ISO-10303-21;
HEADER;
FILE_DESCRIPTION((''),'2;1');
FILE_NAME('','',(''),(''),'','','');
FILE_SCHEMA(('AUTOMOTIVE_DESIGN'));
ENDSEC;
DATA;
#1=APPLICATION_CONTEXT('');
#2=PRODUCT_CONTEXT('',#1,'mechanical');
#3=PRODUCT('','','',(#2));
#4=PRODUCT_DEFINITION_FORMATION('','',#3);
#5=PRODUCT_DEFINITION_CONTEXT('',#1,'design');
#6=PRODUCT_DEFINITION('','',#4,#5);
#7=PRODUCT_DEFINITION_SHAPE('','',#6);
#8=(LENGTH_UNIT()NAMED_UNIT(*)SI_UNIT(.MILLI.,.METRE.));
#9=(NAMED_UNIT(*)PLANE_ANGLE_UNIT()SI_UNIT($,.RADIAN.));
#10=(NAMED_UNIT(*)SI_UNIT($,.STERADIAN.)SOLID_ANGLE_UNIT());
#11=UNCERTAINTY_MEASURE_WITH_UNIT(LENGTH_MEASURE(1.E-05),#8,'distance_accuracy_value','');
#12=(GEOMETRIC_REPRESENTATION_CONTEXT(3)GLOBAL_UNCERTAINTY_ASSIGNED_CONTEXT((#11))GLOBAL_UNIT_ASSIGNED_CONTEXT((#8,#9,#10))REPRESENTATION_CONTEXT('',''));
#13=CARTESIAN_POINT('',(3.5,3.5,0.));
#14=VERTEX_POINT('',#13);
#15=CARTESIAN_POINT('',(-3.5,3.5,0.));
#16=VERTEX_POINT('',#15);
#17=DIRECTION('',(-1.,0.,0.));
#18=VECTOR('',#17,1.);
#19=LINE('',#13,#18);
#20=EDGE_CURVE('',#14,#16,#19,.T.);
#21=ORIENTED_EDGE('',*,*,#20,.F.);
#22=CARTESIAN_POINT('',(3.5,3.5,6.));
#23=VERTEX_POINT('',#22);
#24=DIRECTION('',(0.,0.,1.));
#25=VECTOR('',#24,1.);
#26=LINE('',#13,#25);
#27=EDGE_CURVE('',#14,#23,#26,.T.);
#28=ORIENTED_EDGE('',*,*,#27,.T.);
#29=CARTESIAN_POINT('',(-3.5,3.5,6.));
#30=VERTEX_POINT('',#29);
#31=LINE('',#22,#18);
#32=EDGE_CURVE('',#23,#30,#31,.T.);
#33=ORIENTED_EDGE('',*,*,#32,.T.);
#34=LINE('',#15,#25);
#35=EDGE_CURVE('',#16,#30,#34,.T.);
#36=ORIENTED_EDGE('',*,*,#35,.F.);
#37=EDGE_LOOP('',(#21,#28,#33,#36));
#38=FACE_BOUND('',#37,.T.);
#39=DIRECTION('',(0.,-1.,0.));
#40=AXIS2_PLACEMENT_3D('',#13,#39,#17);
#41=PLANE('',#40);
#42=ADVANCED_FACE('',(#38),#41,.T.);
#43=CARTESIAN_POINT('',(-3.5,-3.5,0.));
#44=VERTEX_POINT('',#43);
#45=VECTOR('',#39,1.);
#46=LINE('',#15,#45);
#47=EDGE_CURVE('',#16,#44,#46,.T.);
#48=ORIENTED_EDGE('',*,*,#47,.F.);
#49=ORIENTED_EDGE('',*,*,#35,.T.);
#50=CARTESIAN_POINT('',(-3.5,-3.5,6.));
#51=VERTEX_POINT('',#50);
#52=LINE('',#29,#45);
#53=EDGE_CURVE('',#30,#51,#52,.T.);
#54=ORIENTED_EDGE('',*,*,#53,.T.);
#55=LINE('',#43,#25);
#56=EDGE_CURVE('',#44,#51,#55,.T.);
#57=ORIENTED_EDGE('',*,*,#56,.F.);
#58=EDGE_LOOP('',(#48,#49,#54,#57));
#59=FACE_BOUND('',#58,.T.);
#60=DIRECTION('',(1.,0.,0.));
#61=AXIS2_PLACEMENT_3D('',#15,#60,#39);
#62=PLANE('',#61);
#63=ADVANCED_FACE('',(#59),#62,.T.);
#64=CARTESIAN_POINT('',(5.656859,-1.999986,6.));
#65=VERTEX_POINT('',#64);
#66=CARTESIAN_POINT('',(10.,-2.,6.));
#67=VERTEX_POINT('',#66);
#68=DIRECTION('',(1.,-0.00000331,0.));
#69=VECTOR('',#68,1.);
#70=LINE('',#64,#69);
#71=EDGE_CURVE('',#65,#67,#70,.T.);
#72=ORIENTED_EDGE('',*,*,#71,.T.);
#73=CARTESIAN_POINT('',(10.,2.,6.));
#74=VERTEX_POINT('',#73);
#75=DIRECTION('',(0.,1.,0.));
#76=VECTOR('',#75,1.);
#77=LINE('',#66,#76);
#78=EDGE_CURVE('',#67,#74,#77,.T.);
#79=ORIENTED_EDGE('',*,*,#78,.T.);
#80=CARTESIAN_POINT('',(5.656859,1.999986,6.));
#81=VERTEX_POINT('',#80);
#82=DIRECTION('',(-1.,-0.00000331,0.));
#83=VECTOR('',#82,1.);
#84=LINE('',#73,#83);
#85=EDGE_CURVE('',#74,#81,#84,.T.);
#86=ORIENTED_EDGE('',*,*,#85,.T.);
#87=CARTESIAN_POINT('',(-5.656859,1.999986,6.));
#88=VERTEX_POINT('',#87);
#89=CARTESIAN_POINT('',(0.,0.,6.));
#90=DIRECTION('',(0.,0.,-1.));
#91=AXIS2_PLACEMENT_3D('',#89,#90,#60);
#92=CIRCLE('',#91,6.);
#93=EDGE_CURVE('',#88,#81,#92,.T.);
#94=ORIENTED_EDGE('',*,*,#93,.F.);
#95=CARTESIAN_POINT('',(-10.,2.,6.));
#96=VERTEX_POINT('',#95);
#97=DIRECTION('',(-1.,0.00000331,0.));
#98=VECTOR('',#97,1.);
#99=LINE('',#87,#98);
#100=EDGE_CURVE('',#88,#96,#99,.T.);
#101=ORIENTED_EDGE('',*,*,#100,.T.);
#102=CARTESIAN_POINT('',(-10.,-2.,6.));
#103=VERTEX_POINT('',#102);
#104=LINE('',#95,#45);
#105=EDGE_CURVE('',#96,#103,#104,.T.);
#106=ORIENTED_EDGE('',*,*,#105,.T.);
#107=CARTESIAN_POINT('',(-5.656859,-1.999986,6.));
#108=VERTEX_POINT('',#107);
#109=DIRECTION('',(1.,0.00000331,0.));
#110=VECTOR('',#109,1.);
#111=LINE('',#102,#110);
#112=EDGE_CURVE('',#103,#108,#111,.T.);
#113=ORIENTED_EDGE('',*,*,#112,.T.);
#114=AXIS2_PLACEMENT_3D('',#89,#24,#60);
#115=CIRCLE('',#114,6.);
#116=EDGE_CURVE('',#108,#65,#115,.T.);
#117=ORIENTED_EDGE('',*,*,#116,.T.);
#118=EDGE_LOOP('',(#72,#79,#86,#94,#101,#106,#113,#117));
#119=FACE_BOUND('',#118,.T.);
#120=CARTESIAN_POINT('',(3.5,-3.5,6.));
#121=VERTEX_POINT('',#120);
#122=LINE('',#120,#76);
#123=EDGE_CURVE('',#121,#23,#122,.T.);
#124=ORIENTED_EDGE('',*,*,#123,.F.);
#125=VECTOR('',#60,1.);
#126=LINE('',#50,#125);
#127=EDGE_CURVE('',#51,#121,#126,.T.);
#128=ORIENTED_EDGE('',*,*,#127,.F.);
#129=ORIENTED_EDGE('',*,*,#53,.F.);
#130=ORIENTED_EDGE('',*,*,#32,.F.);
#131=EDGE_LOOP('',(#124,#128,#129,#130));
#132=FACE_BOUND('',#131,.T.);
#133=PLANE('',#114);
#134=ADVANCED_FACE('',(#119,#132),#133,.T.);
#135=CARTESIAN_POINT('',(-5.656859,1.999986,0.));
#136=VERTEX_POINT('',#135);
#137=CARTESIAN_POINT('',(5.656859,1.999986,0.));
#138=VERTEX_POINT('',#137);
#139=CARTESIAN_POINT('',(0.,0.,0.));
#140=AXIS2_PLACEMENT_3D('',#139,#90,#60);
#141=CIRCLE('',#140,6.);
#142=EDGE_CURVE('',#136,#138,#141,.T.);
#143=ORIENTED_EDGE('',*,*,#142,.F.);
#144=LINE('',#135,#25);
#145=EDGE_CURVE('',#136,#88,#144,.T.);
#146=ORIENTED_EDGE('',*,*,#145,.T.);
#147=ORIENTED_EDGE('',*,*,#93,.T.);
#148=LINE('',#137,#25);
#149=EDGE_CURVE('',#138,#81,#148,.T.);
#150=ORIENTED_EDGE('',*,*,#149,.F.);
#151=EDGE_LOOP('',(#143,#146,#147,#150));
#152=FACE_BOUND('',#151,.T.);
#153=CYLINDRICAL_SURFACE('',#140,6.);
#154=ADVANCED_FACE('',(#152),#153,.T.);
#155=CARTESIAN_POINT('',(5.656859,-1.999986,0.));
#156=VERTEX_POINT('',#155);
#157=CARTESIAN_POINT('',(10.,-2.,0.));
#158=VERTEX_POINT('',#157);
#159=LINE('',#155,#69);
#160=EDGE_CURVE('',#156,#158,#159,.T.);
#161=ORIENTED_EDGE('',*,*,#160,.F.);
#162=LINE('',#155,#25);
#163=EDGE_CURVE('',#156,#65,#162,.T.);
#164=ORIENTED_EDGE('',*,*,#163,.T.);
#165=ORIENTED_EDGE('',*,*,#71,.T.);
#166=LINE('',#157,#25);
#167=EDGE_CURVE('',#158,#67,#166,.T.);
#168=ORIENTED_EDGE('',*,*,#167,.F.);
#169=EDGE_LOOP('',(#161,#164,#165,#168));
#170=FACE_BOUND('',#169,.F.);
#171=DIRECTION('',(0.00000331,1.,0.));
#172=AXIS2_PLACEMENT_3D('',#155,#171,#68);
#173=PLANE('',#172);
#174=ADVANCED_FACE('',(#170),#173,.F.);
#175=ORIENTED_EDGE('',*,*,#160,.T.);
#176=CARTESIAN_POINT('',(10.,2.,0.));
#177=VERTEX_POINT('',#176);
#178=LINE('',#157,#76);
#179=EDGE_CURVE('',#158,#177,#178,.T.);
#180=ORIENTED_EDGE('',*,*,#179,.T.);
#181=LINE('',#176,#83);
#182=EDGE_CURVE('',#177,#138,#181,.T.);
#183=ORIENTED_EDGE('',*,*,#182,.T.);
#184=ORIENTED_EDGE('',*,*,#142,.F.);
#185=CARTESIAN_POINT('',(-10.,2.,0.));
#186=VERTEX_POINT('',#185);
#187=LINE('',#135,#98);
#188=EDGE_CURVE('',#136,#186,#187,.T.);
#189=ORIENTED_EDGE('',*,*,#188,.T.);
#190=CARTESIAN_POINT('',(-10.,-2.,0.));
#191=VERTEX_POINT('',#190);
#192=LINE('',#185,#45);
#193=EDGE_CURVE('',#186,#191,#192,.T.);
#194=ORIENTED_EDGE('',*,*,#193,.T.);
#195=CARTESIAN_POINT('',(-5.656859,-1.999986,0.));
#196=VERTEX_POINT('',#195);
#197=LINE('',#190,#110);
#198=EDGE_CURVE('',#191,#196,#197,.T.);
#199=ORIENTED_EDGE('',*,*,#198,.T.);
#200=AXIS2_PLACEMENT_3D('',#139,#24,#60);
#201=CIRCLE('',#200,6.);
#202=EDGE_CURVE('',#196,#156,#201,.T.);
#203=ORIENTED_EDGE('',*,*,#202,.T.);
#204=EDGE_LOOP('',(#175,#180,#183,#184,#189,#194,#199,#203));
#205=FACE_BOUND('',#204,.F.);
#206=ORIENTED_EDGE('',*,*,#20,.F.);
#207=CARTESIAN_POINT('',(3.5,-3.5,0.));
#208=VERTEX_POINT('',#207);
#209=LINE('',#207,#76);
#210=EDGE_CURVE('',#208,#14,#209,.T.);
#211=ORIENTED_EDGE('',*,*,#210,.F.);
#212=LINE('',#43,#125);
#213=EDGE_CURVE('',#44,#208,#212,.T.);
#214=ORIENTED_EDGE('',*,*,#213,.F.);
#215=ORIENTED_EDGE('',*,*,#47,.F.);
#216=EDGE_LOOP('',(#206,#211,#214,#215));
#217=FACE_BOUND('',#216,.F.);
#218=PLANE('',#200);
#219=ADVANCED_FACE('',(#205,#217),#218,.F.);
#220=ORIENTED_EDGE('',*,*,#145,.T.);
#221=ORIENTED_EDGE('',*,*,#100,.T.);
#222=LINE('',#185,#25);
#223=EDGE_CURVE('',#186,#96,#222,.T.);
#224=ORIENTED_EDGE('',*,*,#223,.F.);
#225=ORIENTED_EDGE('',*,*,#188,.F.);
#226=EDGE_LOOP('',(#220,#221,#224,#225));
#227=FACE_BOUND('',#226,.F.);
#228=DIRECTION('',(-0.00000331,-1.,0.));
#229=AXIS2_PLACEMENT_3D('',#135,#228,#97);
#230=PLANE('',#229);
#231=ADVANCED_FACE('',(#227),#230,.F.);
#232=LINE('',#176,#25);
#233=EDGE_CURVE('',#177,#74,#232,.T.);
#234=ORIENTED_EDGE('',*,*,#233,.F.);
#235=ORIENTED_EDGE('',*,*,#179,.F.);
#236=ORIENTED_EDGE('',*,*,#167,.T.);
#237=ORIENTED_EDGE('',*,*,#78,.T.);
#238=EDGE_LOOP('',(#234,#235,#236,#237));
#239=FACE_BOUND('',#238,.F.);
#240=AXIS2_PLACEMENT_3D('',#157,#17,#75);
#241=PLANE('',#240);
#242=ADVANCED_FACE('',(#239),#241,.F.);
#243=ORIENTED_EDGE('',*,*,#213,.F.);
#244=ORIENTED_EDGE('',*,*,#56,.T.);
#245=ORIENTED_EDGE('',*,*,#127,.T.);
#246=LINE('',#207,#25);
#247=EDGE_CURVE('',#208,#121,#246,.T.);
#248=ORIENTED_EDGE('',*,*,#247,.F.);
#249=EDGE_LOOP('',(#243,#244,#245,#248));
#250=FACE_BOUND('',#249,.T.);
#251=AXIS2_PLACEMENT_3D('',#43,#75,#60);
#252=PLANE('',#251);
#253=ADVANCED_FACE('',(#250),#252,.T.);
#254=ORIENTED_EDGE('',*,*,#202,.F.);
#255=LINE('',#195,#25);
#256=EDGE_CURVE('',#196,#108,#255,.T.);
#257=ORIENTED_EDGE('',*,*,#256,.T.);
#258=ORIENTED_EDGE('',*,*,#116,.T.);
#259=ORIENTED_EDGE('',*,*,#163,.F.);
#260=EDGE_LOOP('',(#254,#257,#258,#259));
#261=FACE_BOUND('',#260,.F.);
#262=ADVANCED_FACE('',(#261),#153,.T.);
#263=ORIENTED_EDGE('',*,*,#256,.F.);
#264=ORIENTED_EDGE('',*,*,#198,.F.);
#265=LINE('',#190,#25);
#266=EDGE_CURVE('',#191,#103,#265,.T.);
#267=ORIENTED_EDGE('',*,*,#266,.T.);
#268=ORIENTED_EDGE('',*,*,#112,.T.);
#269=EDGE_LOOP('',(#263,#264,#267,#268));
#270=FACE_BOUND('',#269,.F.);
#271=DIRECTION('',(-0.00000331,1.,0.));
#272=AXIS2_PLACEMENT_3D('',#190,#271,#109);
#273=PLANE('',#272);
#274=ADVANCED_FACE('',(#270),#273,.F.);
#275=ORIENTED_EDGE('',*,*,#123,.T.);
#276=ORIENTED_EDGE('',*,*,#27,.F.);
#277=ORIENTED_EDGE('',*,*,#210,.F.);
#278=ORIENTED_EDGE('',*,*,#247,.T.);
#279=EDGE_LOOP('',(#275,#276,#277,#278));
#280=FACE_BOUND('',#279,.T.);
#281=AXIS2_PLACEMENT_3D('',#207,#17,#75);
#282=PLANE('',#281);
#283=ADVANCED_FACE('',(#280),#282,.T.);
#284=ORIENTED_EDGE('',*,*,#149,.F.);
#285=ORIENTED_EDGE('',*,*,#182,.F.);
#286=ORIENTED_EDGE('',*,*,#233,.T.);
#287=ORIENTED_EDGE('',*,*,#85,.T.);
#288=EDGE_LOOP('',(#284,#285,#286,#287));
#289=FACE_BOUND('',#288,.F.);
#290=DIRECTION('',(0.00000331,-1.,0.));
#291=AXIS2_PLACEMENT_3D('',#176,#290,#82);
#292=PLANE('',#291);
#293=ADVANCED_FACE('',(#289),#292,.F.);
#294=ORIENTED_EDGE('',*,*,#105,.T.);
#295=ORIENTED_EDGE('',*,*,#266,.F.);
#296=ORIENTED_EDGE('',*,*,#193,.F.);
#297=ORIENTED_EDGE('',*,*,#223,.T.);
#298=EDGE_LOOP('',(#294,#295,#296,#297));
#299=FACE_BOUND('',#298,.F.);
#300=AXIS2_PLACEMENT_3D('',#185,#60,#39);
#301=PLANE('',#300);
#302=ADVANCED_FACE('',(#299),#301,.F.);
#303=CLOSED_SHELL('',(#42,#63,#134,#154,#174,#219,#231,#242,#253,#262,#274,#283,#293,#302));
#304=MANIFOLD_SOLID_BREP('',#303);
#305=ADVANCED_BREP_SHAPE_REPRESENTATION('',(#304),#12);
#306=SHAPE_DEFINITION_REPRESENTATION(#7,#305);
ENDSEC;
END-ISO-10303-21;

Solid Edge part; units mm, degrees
sketch "Sketch1" plane through (0, 0, 0) normal (0, 0, 1) x (1, 0, 0)
  line L0 (3.5, 3.5) -> (-3.5, 3.5)
  line L1 (-3.5, 3.5) -> (-3.5, -3.5)
  line L2 (-3.5, -3.5) -> (3.5, -3.5)
  line L3 (3.5, -3.5) -> (3.5, 3.5)
  line L4 (5.6569, -2) -> (10, -2)
  line L5 (10, -2) -> (10, 2)
  line L6 (10, 2) -> (5.6569, 2)
  arc A0 (-5.6569, 2) -> (5.6569, 2) centre (0, 0) cw
  line L7 (-5.6569, 2) -> (-10, 2)
  line L8 (-10, 2) -> (-10, -2)
  line L9 (-10, -2) -> (-5.6569, -2)
  arc A1 (-5.6569, -2) -> (5.6569, -2) centre (0, 0) ccw
extrude "Protrusion1" add sketch "Sketch1" along normal blind 6
